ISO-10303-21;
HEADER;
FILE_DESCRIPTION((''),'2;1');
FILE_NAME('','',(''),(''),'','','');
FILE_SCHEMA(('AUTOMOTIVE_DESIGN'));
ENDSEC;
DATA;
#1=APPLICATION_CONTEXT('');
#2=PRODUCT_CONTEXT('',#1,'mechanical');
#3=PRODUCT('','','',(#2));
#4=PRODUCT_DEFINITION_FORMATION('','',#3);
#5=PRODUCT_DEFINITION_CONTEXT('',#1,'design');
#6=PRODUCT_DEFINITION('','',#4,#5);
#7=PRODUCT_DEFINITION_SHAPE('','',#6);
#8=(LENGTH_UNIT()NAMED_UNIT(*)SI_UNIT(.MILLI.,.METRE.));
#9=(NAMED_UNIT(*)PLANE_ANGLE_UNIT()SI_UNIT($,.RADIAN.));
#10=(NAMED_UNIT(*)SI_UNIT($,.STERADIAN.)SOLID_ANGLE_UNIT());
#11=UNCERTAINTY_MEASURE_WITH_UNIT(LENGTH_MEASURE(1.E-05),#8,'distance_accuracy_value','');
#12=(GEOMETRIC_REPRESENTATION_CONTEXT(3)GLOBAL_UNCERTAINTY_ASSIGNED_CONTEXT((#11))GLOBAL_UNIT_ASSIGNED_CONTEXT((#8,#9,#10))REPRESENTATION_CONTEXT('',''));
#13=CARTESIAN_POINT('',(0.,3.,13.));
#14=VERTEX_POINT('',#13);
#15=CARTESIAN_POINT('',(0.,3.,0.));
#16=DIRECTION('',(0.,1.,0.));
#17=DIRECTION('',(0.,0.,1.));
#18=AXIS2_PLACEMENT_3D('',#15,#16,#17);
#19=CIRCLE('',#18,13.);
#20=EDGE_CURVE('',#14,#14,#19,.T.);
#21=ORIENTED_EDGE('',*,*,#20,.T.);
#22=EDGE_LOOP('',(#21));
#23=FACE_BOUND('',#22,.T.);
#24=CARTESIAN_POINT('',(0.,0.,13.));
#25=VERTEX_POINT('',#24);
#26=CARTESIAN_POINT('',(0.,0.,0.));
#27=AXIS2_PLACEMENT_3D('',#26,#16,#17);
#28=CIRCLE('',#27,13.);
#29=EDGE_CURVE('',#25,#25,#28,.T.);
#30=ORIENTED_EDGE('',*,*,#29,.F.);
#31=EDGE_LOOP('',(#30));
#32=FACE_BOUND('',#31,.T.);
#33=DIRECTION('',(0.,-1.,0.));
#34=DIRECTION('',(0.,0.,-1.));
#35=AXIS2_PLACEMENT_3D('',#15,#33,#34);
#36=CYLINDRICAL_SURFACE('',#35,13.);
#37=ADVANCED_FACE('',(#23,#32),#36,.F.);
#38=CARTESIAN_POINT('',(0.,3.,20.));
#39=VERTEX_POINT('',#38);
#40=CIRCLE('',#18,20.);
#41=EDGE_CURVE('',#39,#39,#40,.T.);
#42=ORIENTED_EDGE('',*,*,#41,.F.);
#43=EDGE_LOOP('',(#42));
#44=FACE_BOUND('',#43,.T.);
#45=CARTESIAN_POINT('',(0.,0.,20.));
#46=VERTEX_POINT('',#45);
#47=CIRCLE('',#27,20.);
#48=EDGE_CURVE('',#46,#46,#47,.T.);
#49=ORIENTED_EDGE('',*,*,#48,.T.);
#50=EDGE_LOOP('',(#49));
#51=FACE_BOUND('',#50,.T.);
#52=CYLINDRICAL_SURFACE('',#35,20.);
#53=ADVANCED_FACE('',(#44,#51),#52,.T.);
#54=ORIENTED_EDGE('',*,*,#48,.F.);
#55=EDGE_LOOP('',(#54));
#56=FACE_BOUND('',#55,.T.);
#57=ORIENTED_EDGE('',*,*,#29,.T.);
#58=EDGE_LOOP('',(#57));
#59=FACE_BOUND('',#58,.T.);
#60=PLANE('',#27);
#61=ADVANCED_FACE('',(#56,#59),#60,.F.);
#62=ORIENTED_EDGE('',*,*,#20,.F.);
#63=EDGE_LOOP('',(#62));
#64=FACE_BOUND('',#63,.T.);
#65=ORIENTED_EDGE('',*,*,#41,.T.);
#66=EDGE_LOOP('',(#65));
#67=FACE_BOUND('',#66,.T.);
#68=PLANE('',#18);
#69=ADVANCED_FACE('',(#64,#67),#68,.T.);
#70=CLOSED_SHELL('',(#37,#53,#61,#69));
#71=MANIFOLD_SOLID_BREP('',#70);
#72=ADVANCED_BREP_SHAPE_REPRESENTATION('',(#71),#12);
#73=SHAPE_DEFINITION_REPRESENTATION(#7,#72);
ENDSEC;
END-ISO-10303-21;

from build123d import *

# Parameters (mm, degrees)
SKETCH1_R           = 20
SKETCH1_R_2         = 13
BOSS_EXTRUDE1_DEPTH = 3


with BuildPart() as part:
    # Sketch1 → Boss-Extrude1 (new body)
    with BuildSketch(Plane(origin=(0, 0, 0), x_dir=(1, 0, 0), z_dir=(0, 1, 0))):
        Circle(SKETCH1_R)
        Circle(SKETCH1_R_2, mode=Mode.SUBTRACT)
    extrude(amount=BOSS_EXTRUDE1_DEPTH)


solid = part.part
